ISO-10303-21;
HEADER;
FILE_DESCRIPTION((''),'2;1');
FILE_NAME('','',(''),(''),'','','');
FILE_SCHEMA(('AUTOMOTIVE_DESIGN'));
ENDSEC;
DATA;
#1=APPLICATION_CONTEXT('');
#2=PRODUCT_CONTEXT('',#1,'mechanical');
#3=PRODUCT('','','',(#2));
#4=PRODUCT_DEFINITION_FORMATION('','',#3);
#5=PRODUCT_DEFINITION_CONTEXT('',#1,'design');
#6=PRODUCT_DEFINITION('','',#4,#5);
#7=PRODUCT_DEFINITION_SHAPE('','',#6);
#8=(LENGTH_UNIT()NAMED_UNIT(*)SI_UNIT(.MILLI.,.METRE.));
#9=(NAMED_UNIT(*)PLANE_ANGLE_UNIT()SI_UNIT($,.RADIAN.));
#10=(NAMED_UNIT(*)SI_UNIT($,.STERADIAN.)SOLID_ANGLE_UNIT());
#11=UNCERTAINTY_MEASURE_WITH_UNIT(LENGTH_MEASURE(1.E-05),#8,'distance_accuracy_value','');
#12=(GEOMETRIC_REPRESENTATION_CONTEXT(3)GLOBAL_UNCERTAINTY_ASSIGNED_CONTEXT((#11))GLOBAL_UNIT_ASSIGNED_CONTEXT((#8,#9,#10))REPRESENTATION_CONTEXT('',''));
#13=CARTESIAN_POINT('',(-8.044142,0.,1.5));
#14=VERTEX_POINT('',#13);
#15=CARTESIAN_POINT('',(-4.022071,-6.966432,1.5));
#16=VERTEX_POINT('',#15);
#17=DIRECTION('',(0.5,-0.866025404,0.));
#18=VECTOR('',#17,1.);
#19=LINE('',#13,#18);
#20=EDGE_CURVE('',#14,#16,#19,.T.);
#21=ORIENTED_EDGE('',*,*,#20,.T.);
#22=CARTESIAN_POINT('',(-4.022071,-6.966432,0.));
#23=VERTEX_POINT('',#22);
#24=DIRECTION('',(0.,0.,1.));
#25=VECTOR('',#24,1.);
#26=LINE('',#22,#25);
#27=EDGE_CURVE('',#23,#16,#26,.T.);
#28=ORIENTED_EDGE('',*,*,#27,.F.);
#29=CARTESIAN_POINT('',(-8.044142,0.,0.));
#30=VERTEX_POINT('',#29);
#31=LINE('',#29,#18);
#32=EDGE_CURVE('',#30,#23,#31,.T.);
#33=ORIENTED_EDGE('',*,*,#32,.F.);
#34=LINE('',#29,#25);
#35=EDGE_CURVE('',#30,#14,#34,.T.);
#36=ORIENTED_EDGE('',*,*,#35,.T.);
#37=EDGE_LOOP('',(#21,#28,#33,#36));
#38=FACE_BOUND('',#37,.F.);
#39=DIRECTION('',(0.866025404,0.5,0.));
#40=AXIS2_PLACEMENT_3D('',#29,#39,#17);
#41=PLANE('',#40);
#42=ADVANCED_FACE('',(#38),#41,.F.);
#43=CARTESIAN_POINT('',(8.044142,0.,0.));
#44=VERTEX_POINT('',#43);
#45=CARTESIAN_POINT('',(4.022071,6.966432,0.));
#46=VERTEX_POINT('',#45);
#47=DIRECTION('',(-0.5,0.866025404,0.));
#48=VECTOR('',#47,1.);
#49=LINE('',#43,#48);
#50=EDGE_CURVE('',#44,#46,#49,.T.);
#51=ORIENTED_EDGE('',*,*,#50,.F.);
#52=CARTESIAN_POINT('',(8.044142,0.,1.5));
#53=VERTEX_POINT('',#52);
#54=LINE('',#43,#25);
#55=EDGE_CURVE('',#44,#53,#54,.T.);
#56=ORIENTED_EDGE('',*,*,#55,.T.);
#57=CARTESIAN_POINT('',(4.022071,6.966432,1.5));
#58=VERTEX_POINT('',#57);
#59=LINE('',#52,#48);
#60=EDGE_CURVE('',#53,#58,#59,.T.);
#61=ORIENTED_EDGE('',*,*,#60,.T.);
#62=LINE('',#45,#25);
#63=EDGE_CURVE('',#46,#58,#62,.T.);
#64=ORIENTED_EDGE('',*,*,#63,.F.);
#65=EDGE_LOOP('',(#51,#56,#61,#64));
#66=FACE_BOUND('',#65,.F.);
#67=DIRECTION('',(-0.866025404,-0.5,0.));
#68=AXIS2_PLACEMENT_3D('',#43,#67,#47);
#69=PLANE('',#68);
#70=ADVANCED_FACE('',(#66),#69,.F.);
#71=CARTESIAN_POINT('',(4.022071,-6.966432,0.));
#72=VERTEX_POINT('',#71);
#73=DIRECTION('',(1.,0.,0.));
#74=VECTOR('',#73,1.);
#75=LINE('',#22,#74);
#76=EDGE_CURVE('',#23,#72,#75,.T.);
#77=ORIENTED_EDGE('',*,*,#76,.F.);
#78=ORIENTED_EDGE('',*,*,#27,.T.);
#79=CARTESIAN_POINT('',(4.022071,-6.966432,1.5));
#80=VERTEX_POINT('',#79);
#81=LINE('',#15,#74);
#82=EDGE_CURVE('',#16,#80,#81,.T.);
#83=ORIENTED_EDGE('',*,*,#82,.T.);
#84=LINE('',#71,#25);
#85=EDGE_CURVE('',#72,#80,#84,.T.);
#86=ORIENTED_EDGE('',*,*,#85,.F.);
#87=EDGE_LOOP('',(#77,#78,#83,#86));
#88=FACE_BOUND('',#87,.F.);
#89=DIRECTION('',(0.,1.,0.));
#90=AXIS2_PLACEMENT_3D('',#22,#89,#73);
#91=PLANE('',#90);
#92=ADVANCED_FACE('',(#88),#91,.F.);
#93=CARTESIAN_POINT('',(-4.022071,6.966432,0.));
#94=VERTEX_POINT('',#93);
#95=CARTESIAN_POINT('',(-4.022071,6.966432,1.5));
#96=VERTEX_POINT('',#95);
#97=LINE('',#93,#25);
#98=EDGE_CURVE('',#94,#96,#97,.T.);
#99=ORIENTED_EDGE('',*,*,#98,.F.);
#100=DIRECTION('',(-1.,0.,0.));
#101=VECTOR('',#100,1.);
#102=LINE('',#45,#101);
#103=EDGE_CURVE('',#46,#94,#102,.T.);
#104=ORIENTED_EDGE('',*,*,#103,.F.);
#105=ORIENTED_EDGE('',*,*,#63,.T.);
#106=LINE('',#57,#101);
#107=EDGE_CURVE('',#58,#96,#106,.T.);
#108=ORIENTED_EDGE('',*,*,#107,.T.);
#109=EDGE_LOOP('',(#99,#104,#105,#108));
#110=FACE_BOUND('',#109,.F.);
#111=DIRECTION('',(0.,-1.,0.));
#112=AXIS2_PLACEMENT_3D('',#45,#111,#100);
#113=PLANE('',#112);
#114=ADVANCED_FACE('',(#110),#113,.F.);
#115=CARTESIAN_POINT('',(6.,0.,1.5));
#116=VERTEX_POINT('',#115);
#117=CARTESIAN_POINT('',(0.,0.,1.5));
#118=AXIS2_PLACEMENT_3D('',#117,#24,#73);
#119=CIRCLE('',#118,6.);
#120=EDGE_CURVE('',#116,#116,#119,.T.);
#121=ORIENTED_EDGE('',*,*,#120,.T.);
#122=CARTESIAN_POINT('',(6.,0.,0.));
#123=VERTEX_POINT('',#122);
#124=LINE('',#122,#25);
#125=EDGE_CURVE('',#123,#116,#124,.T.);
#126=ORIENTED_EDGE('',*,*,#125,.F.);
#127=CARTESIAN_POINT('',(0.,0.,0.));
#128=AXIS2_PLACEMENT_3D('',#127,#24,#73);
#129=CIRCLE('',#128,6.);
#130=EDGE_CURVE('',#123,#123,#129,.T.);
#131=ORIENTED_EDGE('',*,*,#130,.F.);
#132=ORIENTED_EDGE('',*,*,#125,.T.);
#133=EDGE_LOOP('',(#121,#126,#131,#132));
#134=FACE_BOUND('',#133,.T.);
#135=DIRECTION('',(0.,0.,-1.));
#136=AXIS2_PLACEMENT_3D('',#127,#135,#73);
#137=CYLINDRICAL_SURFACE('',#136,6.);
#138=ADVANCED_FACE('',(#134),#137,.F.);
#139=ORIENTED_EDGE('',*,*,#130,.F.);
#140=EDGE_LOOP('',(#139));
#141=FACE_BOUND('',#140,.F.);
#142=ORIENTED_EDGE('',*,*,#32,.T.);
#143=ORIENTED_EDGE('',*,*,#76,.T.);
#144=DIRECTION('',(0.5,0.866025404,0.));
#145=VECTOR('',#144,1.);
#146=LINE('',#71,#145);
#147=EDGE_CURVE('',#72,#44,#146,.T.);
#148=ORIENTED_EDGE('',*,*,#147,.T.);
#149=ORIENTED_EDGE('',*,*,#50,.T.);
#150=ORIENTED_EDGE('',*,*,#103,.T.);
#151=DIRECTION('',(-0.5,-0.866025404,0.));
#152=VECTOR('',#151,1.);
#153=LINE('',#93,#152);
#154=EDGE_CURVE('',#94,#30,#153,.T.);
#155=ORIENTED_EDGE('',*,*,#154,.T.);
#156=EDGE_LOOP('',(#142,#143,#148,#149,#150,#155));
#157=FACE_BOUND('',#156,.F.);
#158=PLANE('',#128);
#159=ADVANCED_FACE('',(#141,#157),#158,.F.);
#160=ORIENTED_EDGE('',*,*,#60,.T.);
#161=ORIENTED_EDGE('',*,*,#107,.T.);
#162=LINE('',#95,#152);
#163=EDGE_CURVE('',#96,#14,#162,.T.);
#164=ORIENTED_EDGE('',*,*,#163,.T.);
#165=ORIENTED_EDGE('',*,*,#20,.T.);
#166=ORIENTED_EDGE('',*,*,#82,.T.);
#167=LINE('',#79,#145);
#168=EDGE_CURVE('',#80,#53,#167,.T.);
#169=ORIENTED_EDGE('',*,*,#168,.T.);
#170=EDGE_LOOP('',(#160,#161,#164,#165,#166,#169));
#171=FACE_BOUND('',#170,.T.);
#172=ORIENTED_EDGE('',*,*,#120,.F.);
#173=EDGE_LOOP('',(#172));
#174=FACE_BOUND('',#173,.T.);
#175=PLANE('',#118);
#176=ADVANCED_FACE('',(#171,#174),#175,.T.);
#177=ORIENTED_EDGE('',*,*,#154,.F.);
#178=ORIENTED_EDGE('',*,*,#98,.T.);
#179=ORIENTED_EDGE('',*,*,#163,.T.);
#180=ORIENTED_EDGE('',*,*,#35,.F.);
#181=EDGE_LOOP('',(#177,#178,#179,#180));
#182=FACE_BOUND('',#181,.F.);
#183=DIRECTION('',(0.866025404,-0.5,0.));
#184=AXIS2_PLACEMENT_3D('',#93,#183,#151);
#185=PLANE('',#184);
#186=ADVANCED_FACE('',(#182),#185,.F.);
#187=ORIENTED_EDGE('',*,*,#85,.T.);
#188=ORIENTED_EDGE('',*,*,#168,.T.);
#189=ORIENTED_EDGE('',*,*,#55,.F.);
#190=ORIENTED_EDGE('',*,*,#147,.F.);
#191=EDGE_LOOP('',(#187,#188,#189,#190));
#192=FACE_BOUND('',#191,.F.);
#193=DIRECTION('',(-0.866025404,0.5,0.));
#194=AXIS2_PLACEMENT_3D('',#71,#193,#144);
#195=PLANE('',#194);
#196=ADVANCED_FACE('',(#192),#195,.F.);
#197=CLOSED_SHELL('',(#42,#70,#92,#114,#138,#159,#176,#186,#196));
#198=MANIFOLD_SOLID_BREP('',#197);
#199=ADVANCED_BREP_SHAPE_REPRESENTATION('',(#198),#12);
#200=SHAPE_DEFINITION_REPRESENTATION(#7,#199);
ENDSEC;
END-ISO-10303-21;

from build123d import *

# Parameters (mm, degrees)
SKETCH1_R           = 6
BOSS_EXTRUDE1_DEPTH = 1.5


with BuildPart() as part:
    # Sketch1 → Boss-Extrude1 (new body)
    with BuildSketch(Plane.XY):
        Polygon((8.044142438, 0), (4.022071219, 6.966431703), (-4.022071219, 6.966431703), (-8.044142438, 0), (-4.022071219, -6.966431703), (4.022071219, -6.966431703), align=None)
        Circle(SKETCH1_R, mode=Mode.SUBTRACT)
    extrude(amount=BOSS_EXTRUDE1_DEPTH)


solid = part.part
